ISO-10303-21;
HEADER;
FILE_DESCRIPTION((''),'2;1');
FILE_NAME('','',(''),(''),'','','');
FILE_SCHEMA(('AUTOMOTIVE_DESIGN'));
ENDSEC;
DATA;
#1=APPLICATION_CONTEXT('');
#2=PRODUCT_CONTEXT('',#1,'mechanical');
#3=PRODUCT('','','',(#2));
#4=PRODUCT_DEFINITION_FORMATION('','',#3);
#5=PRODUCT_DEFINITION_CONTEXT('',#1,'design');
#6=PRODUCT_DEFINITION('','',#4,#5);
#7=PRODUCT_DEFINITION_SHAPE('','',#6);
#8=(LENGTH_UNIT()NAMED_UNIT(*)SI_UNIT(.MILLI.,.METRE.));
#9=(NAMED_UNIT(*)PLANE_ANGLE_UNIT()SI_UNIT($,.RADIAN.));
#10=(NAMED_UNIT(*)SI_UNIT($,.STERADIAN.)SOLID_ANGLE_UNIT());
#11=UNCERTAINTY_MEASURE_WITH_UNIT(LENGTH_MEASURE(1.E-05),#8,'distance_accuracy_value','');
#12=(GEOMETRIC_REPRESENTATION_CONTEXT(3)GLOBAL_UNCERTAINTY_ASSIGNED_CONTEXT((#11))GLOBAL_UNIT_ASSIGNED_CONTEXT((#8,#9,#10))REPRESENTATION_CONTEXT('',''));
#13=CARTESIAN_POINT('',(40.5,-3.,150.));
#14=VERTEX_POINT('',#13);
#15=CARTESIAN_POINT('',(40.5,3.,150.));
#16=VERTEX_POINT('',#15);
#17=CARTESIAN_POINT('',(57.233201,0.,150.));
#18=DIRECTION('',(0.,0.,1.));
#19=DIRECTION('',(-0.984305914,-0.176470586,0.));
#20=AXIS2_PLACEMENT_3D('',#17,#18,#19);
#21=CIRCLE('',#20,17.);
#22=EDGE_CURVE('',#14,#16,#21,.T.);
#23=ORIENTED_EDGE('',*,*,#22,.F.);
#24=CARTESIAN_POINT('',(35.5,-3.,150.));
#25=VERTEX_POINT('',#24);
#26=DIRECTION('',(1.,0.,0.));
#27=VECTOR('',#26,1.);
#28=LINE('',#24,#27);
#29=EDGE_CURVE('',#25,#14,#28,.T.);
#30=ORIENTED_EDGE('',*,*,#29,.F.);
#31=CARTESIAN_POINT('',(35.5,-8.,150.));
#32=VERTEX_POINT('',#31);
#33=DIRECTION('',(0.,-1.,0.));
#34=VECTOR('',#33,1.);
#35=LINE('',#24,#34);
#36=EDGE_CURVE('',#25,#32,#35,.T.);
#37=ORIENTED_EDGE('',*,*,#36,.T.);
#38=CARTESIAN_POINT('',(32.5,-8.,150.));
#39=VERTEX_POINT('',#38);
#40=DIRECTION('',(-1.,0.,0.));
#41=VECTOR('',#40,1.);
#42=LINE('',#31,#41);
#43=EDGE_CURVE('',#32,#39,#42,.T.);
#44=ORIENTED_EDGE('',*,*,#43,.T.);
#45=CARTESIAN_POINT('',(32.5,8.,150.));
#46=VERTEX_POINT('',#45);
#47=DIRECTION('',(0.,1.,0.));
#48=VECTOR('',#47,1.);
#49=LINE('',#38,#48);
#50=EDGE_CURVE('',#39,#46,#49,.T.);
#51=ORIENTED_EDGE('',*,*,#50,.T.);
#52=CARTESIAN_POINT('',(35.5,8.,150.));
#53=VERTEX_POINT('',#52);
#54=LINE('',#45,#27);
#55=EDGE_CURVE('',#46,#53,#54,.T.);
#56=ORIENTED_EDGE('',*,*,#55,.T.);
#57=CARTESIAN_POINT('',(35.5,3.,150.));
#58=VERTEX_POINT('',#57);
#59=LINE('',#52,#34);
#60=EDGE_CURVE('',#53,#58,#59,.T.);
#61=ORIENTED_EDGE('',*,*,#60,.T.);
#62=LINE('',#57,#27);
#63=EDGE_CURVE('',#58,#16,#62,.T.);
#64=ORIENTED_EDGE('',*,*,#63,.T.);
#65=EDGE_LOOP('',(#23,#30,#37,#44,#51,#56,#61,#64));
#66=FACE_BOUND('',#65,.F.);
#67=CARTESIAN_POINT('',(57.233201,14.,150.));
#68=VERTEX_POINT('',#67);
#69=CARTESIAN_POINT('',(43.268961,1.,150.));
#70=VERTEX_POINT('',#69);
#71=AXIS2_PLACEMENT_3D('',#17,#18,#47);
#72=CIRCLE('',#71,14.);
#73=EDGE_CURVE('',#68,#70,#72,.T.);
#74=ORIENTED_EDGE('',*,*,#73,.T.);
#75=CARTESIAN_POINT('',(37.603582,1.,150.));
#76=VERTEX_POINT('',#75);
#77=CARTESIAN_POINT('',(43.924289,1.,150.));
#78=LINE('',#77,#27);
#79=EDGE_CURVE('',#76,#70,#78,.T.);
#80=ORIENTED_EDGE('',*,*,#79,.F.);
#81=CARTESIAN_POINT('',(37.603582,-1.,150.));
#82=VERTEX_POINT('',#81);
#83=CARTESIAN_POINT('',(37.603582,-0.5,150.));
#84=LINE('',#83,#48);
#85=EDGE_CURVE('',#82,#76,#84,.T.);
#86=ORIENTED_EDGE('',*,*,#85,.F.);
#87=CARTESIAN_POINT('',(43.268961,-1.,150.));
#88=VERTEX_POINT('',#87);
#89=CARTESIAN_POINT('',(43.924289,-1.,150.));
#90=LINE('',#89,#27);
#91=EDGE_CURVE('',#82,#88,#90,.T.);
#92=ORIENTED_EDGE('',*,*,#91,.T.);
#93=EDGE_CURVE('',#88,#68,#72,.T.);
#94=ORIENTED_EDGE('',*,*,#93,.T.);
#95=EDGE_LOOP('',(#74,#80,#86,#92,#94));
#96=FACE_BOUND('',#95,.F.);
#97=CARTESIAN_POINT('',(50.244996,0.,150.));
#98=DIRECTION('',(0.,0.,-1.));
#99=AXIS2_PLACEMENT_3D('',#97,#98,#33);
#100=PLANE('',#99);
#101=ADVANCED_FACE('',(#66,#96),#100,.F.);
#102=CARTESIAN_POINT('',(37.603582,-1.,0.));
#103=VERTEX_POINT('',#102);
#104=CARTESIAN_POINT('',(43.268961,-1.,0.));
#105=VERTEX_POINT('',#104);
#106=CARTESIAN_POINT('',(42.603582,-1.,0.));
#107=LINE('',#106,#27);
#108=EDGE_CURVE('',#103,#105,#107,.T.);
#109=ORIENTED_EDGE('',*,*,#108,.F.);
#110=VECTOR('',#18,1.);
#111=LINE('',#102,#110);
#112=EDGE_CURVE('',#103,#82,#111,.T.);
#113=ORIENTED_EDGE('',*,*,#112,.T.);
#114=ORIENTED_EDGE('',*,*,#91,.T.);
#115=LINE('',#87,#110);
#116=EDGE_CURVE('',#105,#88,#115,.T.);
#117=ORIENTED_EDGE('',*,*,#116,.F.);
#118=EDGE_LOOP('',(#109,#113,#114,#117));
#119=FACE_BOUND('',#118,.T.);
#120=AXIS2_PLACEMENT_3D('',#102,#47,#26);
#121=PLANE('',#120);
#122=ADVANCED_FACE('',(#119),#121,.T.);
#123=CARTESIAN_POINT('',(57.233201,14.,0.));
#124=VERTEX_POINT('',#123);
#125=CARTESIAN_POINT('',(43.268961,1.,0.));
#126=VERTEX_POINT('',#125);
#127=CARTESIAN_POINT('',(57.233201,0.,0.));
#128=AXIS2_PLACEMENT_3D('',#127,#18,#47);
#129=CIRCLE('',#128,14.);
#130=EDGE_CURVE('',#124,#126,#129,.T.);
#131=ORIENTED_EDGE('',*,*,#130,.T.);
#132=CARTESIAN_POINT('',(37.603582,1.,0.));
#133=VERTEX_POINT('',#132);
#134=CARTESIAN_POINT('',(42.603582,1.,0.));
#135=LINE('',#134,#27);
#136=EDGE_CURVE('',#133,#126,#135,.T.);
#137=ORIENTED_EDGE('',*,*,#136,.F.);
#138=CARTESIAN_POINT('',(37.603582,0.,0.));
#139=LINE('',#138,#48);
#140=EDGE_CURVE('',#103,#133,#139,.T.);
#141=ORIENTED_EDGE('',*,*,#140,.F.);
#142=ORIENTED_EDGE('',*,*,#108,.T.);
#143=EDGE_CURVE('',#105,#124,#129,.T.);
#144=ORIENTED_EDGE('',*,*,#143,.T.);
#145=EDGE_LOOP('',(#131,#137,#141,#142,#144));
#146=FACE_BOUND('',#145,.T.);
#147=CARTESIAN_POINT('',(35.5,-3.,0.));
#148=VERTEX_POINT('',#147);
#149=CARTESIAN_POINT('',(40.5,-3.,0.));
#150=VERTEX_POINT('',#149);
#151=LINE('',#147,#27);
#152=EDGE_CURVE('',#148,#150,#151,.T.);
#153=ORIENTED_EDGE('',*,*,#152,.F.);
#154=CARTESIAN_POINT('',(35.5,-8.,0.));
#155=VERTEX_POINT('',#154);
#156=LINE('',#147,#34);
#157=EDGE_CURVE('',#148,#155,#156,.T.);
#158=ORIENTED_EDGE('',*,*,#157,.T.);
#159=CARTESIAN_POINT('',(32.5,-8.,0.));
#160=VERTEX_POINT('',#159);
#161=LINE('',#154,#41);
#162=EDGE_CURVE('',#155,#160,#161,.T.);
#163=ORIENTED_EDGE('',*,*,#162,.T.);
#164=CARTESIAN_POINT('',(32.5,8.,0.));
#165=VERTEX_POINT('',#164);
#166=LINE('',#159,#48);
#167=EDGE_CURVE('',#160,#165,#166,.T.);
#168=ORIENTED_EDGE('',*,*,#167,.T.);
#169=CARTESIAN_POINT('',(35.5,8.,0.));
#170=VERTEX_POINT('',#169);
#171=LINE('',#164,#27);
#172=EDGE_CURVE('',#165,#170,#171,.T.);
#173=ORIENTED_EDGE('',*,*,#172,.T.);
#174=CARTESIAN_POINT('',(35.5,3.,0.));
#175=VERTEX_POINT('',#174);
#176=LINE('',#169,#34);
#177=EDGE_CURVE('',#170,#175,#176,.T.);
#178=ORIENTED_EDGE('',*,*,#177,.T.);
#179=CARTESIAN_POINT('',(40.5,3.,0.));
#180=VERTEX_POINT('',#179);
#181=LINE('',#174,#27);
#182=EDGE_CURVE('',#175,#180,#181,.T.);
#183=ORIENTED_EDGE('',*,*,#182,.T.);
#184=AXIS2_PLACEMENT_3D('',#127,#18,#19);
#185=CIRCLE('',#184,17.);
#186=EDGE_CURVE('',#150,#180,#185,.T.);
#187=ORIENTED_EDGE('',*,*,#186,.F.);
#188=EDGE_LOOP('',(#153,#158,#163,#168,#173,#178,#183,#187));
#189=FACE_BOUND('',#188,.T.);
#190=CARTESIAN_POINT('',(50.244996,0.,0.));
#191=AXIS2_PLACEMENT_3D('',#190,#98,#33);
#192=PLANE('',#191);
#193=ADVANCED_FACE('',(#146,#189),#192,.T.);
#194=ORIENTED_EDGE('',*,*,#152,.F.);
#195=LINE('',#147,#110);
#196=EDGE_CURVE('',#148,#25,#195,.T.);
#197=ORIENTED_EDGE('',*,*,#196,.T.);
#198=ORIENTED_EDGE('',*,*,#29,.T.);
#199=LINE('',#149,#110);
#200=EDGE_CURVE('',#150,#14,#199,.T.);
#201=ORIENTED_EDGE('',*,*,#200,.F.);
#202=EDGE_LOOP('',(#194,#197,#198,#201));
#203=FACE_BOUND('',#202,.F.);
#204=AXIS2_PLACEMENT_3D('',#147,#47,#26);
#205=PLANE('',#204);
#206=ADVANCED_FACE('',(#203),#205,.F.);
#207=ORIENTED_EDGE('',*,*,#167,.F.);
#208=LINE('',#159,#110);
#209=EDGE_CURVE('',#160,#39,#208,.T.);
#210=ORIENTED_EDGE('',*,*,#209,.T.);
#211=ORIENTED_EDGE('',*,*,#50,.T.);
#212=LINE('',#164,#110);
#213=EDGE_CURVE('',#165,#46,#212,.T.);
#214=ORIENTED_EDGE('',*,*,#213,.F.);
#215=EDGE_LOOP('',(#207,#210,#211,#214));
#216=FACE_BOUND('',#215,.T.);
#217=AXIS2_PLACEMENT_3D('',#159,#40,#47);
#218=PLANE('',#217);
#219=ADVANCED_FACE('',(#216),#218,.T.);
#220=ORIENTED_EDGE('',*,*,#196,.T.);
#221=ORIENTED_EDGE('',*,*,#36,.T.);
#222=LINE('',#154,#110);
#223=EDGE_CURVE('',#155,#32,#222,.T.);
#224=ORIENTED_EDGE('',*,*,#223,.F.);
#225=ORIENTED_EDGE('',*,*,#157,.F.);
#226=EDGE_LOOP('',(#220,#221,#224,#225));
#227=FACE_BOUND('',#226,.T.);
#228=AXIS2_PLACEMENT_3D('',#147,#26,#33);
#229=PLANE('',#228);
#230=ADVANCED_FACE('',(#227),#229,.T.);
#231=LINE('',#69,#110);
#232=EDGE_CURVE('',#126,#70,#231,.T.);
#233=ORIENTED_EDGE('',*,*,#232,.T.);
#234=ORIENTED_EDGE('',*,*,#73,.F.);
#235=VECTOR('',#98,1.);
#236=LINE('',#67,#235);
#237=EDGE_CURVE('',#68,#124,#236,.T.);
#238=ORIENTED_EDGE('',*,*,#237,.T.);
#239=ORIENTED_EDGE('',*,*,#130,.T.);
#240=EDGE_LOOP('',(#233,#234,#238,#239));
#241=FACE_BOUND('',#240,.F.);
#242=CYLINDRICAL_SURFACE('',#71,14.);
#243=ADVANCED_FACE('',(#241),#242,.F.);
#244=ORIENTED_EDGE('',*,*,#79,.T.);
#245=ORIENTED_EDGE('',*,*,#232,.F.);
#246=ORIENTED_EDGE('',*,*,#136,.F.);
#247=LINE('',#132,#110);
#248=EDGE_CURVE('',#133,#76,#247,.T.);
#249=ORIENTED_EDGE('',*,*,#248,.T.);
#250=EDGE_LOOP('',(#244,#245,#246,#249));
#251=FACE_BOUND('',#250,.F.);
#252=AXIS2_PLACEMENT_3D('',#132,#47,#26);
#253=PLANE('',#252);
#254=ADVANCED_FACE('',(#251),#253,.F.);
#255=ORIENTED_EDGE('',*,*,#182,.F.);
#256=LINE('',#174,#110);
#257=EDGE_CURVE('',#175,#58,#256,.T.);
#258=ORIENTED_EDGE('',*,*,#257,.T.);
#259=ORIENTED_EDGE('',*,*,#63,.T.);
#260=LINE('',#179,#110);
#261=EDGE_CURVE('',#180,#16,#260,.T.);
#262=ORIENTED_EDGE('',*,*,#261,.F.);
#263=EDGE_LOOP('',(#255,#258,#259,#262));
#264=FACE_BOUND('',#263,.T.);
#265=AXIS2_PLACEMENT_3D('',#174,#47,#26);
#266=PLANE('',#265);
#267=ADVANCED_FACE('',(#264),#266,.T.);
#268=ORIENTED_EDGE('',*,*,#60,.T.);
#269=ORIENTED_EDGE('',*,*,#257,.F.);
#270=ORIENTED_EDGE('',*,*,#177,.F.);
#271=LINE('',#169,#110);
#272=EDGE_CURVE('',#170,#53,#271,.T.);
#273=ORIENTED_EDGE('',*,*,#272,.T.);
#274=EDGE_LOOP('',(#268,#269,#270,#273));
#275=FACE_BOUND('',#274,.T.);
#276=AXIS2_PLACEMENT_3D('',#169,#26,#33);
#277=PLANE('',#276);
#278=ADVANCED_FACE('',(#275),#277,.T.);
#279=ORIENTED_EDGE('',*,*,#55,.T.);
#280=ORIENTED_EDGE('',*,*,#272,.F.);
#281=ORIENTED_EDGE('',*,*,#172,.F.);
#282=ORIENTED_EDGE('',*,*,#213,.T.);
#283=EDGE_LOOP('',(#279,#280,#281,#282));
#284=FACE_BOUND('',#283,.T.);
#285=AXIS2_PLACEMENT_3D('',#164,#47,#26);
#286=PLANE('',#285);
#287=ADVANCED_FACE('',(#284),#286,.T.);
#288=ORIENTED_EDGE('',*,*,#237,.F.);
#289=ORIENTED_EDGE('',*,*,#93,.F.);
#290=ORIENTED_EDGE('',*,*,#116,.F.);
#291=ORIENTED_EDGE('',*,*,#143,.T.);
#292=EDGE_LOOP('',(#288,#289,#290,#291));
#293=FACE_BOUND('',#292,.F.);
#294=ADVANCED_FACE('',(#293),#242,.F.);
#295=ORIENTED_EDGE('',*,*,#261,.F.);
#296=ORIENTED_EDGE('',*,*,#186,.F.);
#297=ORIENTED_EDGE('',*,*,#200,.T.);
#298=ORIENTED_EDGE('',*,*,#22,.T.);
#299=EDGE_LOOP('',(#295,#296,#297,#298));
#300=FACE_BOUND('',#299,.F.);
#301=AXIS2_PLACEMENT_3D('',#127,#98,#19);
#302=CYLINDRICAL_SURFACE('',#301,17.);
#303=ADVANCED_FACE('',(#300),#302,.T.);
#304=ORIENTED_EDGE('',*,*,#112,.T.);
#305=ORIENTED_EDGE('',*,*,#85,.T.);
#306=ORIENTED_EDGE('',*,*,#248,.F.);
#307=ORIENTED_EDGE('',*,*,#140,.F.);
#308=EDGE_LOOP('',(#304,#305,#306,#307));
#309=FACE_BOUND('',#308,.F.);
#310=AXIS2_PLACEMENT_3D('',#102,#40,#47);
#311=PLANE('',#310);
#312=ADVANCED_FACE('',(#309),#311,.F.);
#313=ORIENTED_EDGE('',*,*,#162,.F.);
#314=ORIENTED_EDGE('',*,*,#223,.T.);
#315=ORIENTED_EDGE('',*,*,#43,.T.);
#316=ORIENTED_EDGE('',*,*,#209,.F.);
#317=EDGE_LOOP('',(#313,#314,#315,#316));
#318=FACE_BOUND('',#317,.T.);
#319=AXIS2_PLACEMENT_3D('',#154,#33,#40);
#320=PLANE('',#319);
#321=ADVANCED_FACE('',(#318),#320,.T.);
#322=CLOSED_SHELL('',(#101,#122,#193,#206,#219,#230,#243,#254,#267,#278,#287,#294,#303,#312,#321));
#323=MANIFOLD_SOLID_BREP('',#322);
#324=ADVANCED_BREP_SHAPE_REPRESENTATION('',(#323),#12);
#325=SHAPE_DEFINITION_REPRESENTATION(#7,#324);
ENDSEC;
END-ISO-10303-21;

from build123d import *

# Parameters (mm, degrees)
PAD005_DEPTH            = 150
SKETCH013_R             = 14
POCKET005_DEPTH         = 150.001
SKETCH028_W             = 2
SKETCH028_H             = 10
POCKET010_DEPTH         = 150.001
BODY002_PLACEMENT_ANGLE = 90


with BuildPart() as part:
    # Sketch012 → Pad005 (new body)
    with BuildSketch(Plane.XY):
        with BuildLine():
            Line((-3, -3), (-8, -3))
            Line((-8, -3), (-8, 0))
            Line((-8, 0), (8, 0))
            Line((8, 0), (8, -3))
            Line((8, -3), (3, -3))
            Line((3, -3), (3, -8))
            ThreePointArc((-3, -8), (0, -41.733201), (3, -8))
            Line((-3, -3), (-3, -8))
        make_face()
    extrude(amount=PAD005_DEPTH)

    # Sketch013 (on Face10 of Pad005) → Pocket005 (cut, through all)
    with BuildSketch(Plane.XY.offset(150)):
        with Locations((0, -24.733201)):
            Circle(SKETCH013_R)
    extrude(amount=-POCKET005_DEPTH, mode=Mode.SUBTRACT)

    # Sketch028 (on Face4 of Pocket005) → Pocket010 (cut, through all)
    with BuildSketch(Plane(origin=(0, 0, 0), x_dir=(1, 0, 0), z_dir=(0, 0, -1))):
        with Locations((0, 10.103582)):
            Rectangle(SKETCH028_W, SKETCH028_H)
    extrude(amount=-POCKET010_DEPTH, mode=Mode.SUBTRACT)


with BuildPart() as part_1:
    # Body002 placement: moved
    add(part.part.moved(Location((32.5, 0, 0))).rotate(Axis((32.5, 0, 0), (0, 0, 1)), BODY002_PLACEMENT_ANGLE))


solid = part_1.part
